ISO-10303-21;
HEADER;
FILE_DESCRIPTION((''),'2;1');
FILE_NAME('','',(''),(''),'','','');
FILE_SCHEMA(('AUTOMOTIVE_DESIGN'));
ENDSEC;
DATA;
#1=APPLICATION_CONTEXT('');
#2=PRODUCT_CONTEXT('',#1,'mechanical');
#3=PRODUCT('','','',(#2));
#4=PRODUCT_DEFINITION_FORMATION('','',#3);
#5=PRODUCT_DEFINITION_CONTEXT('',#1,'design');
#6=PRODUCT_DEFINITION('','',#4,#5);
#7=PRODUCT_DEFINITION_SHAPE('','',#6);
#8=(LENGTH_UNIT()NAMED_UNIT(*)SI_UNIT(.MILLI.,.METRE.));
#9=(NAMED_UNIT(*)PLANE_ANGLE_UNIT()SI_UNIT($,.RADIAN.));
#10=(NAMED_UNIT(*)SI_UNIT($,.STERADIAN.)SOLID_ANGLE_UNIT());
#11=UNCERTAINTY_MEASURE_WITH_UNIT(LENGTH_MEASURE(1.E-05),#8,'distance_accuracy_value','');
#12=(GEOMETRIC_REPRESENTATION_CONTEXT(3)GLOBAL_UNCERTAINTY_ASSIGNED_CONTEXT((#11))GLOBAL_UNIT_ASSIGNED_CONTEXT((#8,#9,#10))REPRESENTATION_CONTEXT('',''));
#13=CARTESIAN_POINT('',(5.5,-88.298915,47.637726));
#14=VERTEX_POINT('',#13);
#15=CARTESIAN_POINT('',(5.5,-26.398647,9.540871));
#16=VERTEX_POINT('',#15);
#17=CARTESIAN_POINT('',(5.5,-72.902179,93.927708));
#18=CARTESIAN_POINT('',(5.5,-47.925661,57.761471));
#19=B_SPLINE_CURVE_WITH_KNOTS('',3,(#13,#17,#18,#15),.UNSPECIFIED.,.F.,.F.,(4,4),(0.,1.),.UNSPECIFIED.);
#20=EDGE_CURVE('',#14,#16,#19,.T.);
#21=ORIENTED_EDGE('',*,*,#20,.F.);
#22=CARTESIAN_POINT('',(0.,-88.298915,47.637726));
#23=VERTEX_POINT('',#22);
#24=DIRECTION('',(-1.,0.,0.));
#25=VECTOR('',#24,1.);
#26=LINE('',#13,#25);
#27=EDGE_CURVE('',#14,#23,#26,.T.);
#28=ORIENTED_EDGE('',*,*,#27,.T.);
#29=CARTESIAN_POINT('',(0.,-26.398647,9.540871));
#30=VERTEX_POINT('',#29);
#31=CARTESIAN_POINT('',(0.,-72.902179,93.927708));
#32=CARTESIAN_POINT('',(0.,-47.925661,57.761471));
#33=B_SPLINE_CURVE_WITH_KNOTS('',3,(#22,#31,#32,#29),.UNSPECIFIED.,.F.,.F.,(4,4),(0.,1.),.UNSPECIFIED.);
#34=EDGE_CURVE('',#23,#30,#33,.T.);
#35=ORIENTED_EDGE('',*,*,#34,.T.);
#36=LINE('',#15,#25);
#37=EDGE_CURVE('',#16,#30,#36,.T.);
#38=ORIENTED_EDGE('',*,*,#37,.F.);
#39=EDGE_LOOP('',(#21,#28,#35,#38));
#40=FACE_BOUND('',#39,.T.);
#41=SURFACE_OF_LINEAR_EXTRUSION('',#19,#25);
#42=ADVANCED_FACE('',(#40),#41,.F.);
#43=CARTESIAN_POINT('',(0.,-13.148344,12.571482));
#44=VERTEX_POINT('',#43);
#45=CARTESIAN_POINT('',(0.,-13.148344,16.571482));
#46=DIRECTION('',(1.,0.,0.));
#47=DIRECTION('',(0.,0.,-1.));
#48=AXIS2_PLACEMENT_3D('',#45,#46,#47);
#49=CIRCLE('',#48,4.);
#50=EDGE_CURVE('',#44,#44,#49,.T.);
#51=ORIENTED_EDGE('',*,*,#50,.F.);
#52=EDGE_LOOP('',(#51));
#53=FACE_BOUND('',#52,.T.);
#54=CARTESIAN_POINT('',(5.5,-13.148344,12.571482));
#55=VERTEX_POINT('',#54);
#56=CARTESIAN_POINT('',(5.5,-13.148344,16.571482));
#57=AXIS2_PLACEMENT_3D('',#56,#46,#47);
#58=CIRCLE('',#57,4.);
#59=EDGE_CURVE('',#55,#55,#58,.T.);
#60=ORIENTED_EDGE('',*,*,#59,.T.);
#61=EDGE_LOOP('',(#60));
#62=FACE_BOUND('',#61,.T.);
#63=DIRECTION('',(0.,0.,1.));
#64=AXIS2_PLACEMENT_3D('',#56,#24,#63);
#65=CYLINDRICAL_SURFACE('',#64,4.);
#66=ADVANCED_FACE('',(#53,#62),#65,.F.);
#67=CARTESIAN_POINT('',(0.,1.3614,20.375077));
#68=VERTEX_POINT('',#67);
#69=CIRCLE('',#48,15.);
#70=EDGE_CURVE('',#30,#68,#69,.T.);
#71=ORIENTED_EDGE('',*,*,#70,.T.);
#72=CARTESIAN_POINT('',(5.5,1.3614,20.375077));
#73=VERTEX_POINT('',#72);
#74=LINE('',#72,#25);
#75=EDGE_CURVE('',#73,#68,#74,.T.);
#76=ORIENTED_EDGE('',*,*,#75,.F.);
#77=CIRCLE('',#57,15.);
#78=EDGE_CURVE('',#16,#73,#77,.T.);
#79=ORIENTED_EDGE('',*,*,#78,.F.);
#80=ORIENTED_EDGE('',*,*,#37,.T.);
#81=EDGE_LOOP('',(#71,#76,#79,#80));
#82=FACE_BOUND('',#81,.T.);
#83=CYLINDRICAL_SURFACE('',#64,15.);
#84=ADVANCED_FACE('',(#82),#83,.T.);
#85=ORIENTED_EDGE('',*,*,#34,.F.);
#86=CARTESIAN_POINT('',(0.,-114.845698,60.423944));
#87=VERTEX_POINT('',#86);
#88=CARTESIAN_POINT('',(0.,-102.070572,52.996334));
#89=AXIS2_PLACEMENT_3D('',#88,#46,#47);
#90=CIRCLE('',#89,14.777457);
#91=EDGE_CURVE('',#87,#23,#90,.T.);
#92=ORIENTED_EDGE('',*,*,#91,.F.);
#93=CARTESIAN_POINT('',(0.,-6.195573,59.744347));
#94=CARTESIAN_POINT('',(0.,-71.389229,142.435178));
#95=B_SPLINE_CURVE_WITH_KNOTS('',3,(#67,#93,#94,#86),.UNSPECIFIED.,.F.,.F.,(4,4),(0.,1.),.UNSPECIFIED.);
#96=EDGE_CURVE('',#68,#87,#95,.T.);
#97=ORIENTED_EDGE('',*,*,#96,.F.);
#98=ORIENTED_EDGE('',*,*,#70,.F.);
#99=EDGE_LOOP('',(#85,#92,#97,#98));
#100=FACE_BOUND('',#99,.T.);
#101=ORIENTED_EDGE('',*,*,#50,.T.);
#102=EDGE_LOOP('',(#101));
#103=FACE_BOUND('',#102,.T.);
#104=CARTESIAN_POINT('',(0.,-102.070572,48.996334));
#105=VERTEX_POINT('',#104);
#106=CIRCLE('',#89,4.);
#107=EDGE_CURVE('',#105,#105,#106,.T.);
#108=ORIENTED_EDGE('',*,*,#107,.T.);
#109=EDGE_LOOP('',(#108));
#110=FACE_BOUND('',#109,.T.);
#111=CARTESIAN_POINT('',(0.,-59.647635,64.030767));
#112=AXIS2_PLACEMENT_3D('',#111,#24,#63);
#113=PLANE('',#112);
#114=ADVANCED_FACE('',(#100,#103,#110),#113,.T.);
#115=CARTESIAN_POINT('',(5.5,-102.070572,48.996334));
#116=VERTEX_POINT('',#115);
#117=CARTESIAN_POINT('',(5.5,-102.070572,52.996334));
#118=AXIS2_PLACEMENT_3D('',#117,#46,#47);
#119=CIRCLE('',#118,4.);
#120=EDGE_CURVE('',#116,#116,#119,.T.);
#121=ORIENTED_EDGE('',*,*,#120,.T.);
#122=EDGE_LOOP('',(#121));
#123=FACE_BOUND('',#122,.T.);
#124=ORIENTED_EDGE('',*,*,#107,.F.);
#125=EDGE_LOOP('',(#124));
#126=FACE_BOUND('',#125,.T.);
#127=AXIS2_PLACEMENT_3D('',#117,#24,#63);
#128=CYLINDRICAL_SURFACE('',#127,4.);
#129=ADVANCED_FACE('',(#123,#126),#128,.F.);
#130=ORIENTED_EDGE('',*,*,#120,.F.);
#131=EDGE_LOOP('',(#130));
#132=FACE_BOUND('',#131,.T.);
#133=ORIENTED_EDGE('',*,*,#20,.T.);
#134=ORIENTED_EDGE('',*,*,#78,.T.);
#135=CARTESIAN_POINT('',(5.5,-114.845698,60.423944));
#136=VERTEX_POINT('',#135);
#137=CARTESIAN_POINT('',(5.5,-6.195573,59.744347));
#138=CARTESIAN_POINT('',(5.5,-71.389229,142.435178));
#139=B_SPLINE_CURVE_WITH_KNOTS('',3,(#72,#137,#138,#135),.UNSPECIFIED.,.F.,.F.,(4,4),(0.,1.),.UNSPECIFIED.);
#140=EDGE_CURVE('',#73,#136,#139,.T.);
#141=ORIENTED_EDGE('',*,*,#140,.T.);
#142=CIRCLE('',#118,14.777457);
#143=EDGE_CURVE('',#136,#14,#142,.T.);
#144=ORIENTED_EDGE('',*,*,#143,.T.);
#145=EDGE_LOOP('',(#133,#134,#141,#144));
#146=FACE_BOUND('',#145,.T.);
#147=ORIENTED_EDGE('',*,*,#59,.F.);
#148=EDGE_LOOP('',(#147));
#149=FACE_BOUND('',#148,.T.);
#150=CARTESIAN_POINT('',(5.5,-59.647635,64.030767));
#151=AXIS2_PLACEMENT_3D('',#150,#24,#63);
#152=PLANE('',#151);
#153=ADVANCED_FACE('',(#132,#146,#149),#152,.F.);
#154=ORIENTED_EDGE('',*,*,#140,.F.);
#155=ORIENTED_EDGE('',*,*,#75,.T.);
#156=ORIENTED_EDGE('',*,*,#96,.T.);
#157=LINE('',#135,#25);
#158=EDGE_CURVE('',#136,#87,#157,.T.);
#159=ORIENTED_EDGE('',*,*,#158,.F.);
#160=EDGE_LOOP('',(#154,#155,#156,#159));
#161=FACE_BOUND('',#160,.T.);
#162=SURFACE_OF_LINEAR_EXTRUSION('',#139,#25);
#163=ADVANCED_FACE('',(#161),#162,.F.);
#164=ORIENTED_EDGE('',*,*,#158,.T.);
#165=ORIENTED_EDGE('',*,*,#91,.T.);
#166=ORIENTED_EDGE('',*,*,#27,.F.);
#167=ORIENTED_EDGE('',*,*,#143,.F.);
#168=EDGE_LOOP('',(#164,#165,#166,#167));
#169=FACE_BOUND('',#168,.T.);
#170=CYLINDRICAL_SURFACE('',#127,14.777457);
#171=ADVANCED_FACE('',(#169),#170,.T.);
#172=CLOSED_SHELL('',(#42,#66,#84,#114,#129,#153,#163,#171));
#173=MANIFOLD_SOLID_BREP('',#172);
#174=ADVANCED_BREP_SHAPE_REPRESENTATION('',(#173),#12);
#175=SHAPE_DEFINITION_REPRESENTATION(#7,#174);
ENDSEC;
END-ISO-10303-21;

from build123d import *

# Parameters (mm, degrees)
SKETCH_1_R      = 3.999999996
SKETCH_1_R_2    = 4
EXTRUDE_1_DEPTH = 5.5


with BuildPart() as part:
    # Эскиз1 → Вытянуть1 (new body)
    with BuildSketch(Plane(origin=(0, 0, 0), x_dir=(0, 0, -1), z_dir=(1, 0, 0))):
        with BuildLine():
            ThreePointArc((-9.540871081, -26.398646507), (-2.597990728, -7.694762203), (-20.375077368, 1.361399581))
            add(Edge.make_bspline(
                [(-20.375077368, 1.361399581), (-59.744347093, -6.195572957), (-142.43517779, -71.38922898), (-60.423943676, -114.845698035)],
                knots=[0, 0, 0, 0, 1, 1, 1, 1], degree=3))
            ThreePointArc((-60.423943676, -114.845698035), (-39.682689443, -108.483068728), (-47.637725769, -88.298914648))
            add(Edge.make_bspline(
                [(-9.540871081, -26.398646507), (-57.761471468, -47.925661264), (-93.927707693, -72.902178799), (-47.637725769, -88.298914648)],
                knots=[0, 0, 0, 0, 1, 1, 1, 1], degree=3))
        make_face()
        with Locations((-16.571481544, -13.148344)):
            Circle(SKETCH_1_R, mode=Mode.SUBTRACT)
        with Locations((-52.996333561, -102.070572255)):
            Circle(SKETCH_1_R_2, mode=Mode.SUBTRACT)
    extrude(amount=EXTRUDE_1_DEPTH)


solid = part.part
